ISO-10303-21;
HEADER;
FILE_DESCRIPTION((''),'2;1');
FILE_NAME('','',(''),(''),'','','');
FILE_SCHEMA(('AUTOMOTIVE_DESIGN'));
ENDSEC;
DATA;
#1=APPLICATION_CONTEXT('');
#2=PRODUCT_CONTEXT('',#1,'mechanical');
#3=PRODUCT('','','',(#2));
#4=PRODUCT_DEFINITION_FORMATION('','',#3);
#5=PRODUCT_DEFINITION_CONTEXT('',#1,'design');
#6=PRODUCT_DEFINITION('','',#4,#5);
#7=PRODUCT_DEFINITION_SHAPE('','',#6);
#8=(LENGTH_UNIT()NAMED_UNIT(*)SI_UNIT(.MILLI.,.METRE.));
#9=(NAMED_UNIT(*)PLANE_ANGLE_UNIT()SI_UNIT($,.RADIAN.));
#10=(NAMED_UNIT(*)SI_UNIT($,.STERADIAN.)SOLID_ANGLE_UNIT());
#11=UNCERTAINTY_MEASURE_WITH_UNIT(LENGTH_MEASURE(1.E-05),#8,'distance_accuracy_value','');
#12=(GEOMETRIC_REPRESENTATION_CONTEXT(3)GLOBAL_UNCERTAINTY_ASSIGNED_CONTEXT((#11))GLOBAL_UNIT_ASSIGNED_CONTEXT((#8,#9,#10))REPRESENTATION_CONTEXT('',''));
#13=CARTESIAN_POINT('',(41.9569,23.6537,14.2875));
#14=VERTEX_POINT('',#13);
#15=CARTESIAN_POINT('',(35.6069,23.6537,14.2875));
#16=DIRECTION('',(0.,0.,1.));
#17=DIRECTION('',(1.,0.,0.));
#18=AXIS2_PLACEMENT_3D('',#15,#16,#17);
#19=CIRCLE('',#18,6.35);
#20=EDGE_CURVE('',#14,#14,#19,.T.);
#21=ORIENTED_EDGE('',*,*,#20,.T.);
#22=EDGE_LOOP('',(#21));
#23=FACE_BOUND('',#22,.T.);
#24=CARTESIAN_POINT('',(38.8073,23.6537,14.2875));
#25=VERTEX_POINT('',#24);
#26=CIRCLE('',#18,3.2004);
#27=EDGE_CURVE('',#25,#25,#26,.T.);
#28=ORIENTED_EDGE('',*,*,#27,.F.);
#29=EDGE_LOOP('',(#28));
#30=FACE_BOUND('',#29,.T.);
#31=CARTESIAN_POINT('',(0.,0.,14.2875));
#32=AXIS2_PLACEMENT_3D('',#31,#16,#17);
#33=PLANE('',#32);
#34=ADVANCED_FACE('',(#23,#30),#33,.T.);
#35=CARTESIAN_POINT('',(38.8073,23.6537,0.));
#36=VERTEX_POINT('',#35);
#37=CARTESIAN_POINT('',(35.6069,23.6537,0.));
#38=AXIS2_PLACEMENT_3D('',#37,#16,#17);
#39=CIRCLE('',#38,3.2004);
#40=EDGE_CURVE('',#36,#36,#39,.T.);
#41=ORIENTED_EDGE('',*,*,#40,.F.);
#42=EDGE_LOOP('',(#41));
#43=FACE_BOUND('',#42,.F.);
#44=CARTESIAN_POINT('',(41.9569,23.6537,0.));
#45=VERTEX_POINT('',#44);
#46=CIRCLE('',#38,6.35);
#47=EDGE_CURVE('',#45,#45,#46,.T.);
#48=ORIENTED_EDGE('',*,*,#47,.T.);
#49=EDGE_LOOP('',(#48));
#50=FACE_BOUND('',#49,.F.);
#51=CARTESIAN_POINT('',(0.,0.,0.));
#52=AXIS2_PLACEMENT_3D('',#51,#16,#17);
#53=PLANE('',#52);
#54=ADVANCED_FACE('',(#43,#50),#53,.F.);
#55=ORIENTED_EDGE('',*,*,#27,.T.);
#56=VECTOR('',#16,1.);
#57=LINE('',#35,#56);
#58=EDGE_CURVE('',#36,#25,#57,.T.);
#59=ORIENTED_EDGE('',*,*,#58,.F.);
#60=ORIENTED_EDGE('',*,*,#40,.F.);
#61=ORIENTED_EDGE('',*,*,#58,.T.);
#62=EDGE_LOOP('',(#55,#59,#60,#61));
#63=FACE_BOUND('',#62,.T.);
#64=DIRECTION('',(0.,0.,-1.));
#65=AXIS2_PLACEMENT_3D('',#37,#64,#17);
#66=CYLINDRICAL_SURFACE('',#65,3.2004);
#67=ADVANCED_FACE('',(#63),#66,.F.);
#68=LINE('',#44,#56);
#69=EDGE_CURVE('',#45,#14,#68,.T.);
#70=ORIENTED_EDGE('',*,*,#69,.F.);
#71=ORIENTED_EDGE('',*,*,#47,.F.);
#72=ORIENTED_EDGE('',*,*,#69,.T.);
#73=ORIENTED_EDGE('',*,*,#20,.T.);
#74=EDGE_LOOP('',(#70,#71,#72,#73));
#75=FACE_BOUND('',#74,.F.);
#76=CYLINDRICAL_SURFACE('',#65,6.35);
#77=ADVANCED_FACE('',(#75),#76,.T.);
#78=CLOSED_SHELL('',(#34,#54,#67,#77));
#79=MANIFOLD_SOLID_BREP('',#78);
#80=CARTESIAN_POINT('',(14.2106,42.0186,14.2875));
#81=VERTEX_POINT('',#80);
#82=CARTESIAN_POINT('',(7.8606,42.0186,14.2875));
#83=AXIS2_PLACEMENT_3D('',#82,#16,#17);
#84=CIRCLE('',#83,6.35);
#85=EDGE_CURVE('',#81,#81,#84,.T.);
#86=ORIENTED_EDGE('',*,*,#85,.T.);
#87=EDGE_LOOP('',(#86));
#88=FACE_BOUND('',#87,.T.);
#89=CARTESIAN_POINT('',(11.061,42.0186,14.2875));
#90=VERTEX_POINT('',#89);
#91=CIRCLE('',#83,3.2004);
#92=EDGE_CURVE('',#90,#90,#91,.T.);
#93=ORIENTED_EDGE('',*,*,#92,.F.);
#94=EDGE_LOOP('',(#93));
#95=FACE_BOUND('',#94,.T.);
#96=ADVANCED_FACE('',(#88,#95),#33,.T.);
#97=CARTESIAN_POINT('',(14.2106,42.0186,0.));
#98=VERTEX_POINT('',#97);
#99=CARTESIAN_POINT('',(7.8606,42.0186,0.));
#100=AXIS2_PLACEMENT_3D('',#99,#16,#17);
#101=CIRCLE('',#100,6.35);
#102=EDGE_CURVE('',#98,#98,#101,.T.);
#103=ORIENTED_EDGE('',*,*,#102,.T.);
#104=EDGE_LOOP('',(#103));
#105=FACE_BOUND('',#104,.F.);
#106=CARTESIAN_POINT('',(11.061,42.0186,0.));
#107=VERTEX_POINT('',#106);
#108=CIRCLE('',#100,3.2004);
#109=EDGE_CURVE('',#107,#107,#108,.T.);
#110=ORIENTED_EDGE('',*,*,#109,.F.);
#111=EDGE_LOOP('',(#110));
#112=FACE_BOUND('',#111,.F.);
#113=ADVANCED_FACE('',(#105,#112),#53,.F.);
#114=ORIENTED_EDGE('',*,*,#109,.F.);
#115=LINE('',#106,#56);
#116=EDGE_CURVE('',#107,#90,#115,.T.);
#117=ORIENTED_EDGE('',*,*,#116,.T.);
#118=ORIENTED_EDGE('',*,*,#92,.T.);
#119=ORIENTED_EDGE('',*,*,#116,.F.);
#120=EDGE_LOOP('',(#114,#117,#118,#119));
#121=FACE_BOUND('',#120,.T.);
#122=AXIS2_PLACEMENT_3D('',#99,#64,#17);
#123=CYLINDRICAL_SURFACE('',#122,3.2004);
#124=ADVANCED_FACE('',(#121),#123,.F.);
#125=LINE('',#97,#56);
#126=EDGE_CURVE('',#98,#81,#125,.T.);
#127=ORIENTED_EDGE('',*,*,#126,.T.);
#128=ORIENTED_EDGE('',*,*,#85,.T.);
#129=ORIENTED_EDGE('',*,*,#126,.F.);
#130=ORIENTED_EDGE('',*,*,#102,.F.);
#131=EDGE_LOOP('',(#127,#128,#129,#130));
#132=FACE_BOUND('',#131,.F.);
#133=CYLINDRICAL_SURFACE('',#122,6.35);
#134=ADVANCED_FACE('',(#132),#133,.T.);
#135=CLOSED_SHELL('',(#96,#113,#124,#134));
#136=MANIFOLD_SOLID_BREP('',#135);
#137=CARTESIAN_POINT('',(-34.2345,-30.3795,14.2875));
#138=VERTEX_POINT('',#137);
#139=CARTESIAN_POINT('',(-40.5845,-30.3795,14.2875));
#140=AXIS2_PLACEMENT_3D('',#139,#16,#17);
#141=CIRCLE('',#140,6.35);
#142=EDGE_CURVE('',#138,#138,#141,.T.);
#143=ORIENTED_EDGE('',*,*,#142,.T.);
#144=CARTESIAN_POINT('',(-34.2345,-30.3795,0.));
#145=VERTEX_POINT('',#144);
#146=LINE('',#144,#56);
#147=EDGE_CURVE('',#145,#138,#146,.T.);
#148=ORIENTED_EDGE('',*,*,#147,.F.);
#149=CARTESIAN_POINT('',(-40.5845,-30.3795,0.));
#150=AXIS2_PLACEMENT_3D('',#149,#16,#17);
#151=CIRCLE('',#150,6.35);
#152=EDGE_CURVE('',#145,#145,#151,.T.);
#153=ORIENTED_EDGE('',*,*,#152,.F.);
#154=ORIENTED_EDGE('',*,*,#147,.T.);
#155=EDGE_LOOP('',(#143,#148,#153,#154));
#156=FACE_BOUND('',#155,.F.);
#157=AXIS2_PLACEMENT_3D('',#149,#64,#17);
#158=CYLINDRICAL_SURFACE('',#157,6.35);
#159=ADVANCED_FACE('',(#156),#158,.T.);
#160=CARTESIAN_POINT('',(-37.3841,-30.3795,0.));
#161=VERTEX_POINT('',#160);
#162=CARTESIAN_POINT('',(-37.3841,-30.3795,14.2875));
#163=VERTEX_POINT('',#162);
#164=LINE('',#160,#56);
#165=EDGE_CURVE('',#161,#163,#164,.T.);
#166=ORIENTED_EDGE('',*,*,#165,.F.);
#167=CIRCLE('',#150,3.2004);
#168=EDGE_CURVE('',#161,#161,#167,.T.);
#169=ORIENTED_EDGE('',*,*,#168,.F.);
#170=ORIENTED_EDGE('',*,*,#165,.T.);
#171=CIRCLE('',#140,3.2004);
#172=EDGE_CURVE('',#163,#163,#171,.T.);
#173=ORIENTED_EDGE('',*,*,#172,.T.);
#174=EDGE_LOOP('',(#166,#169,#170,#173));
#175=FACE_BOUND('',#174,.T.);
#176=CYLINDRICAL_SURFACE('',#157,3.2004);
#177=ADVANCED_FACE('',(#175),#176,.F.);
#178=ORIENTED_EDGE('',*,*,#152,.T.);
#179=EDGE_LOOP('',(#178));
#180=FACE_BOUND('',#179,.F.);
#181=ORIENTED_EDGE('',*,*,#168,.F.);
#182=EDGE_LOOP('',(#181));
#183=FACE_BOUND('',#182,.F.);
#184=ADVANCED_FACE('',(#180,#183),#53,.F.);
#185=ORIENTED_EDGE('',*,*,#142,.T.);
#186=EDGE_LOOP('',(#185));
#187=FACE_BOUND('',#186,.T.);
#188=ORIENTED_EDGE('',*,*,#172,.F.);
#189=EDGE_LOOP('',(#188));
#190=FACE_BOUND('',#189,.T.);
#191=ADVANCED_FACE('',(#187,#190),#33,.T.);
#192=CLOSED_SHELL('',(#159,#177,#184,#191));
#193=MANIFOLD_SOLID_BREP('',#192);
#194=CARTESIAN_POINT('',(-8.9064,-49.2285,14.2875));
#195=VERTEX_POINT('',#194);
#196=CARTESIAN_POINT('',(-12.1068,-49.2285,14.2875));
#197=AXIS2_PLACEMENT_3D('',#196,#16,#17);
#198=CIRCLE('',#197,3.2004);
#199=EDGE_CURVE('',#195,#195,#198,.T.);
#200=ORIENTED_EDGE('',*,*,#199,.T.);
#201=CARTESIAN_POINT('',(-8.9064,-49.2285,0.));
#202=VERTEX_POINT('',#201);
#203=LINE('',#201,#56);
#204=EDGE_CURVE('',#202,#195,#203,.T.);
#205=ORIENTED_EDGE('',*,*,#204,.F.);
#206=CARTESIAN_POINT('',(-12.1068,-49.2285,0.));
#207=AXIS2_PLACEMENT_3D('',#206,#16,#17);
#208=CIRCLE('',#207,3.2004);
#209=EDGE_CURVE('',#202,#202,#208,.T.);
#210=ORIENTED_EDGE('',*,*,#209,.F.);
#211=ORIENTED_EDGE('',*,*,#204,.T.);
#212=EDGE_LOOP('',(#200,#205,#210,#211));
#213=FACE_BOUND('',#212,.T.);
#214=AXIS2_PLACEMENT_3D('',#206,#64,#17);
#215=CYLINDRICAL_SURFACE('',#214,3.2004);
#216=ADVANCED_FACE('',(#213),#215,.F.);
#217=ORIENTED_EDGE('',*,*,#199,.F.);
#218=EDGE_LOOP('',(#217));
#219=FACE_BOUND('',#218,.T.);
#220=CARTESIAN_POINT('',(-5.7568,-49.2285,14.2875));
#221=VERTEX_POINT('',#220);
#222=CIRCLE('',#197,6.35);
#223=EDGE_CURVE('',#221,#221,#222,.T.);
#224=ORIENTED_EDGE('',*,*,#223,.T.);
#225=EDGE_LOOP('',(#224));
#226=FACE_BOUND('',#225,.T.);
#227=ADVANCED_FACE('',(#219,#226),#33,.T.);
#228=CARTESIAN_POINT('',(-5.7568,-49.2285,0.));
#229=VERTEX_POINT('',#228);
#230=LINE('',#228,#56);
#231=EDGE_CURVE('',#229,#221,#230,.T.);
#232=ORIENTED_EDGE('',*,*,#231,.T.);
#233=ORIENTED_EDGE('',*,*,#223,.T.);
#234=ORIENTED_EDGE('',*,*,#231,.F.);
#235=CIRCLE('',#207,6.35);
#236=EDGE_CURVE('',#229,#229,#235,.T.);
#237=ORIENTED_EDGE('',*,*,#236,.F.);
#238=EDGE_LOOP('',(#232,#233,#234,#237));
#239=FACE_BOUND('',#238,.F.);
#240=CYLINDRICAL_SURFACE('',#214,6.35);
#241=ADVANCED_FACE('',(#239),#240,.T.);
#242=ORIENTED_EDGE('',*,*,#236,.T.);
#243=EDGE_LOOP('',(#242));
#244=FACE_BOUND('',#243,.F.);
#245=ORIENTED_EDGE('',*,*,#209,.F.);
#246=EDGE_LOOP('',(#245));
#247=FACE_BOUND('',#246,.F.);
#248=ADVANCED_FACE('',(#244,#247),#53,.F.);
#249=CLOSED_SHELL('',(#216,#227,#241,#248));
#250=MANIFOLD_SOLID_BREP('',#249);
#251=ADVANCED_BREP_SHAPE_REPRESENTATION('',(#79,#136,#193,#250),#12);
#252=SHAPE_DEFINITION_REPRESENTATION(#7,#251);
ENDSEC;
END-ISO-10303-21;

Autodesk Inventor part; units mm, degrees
ref_plane "YZ Plane" through (0, 0, 0) normal (1, 0, 0) x (0, 1, 0)
ref_plane "XZ Plane" through (0, 0, 0) normal (0, 1, 0) x (-1, 0, 0)
ref_plane "XY Plane" through (0, 0, 0) normal (0, 0, 1) x (1, 0, 0)
sketch "Sketch1" plane through (0, 0, 0) normal (0, 0, 1) x (1, 0, 0)
  circle A0 centre (-12.1068, -49.2285) radius 3.302 construction
  circle A1 centre (-40.5845, -30.3795) radius 3.302 construction
  circle A2 centre (7.8606, 42.0186) radius 3.302 construction
  circle A3 centre (35.6069, 23.6537) radius 3.302 construction
  circle A4 centre (-12.1068, -49.2285) radius 6.35
  circle A5 centre (-12.1068, -49.2285) radius 3.2004
  circle A6 centre (-40.5845, -30.3795) radius 3.2004
  circle A7 centre (-40.5845, -30.3795) radius 6.35
  circle A8 centre (35.6069, 23.6537) radius 3.2004
  circle A9 centre (35.6069, 23.6537) radius 6.35
  circle A10 centre (7.8606, 42.0186) radius 3.2004
  circle A11 centre (7.8606, 42.0186) radius 6.35
  point P0 (0, 0)
  dimension "d2" = 12.7
  dimension "d3" = 6.4008
  dimension "d4" = 6.4008
  dimension "d5" = 12.7
  dimension "d6" = 6.4008
  dimension "d7" = 12.7
  dimension "d8" = 6.4008
  dimension "d9" = 12.7
extrude "Extrusion1" add sketch "Sketch1" along normal blind 14.2875
properties part number "Spacer" material "Nylon 6/6"
